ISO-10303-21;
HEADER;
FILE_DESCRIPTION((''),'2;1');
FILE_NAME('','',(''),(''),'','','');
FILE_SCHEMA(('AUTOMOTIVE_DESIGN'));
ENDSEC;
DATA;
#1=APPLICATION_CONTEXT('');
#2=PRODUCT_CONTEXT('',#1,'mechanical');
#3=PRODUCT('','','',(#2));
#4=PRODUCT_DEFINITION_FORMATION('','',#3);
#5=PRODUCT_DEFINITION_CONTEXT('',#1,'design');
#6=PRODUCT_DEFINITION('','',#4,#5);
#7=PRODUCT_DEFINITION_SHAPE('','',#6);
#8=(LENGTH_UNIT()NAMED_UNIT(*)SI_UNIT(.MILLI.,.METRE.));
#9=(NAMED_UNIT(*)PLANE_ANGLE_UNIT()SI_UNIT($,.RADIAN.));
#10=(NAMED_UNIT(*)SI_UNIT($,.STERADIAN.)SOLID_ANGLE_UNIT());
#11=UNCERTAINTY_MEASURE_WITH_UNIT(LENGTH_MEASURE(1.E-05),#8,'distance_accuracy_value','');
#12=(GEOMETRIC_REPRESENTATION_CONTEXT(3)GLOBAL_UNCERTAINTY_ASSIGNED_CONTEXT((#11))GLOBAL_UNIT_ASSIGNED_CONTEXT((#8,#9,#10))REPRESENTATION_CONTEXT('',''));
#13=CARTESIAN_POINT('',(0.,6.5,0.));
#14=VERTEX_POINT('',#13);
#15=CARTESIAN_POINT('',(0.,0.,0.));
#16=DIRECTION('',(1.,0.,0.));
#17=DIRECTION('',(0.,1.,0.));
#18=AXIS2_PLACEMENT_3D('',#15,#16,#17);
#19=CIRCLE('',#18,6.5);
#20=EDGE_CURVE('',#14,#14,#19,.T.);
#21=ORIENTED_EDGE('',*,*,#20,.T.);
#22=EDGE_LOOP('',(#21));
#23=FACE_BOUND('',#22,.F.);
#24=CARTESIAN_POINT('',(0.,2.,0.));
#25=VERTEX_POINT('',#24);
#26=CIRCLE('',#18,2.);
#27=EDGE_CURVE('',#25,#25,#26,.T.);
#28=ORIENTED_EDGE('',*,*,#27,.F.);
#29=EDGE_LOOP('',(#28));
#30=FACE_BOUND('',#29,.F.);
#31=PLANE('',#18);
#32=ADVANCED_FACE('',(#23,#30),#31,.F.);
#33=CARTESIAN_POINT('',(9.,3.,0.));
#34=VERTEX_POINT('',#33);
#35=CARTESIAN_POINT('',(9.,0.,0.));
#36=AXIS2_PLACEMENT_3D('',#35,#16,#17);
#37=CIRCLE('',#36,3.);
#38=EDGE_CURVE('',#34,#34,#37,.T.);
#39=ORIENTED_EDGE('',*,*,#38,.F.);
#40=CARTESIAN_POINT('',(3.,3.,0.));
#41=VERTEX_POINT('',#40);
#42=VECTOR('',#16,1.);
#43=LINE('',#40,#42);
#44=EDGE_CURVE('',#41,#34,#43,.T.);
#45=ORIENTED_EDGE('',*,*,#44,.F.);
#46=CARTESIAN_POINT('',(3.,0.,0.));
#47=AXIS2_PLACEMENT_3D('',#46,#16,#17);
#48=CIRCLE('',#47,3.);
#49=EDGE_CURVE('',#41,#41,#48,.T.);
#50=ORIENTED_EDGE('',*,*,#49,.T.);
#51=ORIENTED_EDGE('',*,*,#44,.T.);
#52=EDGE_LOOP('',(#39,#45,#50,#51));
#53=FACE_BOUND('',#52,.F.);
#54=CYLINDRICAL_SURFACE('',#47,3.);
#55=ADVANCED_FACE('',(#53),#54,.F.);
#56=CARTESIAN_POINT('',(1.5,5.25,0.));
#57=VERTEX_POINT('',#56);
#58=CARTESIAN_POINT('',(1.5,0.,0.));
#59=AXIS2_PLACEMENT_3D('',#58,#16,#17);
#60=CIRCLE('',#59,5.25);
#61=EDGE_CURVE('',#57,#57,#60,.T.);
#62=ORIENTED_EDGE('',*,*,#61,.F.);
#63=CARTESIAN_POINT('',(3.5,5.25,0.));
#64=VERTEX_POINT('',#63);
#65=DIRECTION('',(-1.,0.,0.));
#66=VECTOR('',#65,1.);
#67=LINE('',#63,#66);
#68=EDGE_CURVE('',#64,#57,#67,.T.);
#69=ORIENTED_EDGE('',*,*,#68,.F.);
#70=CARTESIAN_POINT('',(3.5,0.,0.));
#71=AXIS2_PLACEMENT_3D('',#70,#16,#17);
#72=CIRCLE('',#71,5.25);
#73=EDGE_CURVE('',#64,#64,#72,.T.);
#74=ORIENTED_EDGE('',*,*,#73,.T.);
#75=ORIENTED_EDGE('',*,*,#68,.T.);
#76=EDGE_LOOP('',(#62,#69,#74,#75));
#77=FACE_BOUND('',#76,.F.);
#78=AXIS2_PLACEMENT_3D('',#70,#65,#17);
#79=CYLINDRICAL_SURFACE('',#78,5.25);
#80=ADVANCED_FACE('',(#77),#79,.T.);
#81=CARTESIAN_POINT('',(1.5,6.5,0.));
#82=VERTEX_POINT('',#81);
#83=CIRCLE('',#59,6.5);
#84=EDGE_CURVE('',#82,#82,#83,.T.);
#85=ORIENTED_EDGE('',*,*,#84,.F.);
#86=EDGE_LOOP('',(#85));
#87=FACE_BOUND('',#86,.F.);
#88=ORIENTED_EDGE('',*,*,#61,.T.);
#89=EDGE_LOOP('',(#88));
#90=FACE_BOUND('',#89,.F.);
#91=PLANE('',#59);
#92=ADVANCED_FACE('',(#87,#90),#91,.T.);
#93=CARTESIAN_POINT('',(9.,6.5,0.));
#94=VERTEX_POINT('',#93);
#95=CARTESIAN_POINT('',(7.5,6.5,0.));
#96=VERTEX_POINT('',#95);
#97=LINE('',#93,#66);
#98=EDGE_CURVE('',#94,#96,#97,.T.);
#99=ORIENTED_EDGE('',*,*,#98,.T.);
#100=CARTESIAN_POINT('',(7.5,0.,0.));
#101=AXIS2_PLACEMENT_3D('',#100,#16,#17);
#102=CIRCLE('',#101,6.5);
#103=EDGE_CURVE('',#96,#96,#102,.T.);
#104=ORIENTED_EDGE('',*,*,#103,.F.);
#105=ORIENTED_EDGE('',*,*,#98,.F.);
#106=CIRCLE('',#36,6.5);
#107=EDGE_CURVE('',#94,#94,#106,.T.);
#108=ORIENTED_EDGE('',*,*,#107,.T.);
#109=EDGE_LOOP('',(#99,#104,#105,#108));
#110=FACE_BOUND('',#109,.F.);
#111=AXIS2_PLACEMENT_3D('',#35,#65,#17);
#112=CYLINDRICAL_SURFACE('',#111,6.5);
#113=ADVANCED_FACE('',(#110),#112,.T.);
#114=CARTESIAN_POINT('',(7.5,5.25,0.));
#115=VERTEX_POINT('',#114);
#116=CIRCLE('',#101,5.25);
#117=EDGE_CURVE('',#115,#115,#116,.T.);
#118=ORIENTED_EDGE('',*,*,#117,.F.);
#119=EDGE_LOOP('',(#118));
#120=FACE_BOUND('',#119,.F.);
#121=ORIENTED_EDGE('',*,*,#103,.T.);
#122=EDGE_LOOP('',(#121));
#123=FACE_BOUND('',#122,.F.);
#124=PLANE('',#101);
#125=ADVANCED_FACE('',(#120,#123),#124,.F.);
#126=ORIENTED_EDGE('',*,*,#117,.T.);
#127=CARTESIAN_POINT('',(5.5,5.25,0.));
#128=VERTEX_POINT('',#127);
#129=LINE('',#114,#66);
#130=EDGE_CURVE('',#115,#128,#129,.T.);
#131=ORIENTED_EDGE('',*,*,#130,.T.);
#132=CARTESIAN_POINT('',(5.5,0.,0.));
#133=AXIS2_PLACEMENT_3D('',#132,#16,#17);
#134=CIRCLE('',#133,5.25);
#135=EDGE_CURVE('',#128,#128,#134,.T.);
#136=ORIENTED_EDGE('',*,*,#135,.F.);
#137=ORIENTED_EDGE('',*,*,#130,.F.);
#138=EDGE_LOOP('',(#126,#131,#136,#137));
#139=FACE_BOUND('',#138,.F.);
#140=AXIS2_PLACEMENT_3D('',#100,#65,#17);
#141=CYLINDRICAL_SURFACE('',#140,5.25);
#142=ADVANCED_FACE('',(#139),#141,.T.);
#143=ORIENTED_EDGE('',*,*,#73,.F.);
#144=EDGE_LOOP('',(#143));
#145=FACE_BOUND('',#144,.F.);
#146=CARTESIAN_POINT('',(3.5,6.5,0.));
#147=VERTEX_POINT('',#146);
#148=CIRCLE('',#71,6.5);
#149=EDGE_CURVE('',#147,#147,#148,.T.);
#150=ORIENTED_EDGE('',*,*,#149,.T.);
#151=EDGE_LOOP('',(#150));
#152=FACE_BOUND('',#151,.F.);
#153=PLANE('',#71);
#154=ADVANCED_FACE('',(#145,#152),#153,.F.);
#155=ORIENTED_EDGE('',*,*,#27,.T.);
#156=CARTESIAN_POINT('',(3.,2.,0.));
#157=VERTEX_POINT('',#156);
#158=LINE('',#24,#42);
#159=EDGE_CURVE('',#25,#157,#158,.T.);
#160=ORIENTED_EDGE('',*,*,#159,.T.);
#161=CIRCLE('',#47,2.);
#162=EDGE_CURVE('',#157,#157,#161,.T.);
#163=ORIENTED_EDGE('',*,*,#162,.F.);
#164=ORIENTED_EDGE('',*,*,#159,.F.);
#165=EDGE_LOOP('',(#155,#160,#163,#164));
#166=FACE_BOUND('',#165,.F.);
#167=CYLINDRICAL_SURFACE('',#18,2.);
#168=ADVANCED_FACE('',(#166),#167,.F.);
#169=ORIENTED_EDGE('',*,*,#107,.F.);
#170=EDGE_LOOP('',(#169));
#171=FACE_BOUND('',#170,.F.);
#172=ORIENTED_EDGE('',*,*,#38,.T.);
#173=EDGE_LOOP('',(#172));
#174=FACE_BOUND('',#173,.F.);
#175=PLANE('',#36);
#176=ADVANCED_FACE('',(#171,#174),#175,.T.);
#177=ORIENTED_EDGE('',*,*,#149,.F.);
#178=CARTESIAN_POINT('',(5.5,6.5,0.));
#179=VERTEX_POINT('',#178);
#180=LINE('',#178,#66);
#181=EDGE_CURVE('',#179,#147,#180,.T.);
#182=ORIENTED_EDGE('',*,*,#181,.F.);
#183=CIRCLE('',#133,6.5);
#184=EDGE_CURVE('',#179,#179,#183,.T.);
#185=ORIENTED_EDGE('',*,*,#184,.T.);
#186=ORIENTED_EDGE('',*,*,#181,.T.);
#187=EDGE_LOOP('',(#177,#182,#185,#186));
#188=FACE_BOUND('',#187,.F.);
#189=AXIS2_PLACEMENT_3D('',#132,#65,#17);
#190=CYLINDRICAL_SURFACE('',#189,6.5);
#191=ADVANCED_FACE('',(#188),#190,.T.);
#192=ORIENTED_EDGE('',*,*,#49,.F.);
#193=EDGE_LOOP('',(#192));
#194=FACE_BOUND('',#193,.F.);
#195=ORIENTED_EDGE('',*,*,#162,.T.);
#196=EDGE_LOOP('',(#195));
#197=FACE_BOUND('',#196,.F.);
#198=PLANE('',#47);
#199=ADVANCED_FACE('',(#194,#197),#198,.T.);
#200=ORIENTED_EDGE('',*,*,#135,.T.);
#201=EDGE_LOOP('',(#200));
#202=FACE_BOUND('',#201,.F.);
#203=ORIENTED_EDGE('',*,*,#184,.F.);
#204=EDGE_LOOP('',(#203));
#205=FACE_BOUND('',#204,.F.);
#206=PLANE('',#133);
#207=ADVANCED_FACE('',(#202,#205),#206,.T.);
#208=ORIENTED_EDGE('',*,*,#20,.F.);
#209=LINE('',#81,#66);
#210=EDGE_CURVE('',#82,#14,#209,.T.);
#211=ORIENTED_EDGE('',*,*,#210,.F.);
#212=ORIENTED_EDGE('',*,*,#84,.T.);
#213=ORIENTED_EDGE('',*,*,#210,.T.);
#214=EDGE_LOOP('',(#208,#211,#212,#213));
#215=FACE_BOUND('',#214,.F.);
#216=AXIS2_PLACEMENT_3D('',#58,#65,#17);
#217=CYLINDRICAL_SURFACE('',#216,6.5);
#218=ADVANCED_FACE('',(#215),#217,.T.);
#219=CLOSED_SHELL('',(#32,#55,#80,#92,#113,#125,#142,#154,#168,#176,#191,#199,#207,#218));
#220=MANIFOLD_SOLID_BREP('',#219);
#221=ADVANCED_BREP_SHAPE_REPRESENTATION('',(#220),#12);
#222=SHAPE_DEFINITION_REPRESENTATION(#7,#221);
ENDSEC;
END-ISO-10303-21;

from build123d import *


with BuildPart() as f1:
    # F0 (on Top) → F1 (revolve)
    with BuildSketch(Plane.XY):
        Polygon((0, 6.5), (0, 2), (3, 2), (3, 3), (9, 3), (9, 4.788356), (9, 6.5), (7.5, 6.5), (7.5, 5.25), (5.5, 5.25), (5.5, 6.5), (3.5, 6.5), (3.5, 5.25), (1.5, 5.25), (1.5, 6.5), align=None)
    revolve(axis=Axis((3.778169, 0, 0), (1, 0, 0)))


solid = f1.part
